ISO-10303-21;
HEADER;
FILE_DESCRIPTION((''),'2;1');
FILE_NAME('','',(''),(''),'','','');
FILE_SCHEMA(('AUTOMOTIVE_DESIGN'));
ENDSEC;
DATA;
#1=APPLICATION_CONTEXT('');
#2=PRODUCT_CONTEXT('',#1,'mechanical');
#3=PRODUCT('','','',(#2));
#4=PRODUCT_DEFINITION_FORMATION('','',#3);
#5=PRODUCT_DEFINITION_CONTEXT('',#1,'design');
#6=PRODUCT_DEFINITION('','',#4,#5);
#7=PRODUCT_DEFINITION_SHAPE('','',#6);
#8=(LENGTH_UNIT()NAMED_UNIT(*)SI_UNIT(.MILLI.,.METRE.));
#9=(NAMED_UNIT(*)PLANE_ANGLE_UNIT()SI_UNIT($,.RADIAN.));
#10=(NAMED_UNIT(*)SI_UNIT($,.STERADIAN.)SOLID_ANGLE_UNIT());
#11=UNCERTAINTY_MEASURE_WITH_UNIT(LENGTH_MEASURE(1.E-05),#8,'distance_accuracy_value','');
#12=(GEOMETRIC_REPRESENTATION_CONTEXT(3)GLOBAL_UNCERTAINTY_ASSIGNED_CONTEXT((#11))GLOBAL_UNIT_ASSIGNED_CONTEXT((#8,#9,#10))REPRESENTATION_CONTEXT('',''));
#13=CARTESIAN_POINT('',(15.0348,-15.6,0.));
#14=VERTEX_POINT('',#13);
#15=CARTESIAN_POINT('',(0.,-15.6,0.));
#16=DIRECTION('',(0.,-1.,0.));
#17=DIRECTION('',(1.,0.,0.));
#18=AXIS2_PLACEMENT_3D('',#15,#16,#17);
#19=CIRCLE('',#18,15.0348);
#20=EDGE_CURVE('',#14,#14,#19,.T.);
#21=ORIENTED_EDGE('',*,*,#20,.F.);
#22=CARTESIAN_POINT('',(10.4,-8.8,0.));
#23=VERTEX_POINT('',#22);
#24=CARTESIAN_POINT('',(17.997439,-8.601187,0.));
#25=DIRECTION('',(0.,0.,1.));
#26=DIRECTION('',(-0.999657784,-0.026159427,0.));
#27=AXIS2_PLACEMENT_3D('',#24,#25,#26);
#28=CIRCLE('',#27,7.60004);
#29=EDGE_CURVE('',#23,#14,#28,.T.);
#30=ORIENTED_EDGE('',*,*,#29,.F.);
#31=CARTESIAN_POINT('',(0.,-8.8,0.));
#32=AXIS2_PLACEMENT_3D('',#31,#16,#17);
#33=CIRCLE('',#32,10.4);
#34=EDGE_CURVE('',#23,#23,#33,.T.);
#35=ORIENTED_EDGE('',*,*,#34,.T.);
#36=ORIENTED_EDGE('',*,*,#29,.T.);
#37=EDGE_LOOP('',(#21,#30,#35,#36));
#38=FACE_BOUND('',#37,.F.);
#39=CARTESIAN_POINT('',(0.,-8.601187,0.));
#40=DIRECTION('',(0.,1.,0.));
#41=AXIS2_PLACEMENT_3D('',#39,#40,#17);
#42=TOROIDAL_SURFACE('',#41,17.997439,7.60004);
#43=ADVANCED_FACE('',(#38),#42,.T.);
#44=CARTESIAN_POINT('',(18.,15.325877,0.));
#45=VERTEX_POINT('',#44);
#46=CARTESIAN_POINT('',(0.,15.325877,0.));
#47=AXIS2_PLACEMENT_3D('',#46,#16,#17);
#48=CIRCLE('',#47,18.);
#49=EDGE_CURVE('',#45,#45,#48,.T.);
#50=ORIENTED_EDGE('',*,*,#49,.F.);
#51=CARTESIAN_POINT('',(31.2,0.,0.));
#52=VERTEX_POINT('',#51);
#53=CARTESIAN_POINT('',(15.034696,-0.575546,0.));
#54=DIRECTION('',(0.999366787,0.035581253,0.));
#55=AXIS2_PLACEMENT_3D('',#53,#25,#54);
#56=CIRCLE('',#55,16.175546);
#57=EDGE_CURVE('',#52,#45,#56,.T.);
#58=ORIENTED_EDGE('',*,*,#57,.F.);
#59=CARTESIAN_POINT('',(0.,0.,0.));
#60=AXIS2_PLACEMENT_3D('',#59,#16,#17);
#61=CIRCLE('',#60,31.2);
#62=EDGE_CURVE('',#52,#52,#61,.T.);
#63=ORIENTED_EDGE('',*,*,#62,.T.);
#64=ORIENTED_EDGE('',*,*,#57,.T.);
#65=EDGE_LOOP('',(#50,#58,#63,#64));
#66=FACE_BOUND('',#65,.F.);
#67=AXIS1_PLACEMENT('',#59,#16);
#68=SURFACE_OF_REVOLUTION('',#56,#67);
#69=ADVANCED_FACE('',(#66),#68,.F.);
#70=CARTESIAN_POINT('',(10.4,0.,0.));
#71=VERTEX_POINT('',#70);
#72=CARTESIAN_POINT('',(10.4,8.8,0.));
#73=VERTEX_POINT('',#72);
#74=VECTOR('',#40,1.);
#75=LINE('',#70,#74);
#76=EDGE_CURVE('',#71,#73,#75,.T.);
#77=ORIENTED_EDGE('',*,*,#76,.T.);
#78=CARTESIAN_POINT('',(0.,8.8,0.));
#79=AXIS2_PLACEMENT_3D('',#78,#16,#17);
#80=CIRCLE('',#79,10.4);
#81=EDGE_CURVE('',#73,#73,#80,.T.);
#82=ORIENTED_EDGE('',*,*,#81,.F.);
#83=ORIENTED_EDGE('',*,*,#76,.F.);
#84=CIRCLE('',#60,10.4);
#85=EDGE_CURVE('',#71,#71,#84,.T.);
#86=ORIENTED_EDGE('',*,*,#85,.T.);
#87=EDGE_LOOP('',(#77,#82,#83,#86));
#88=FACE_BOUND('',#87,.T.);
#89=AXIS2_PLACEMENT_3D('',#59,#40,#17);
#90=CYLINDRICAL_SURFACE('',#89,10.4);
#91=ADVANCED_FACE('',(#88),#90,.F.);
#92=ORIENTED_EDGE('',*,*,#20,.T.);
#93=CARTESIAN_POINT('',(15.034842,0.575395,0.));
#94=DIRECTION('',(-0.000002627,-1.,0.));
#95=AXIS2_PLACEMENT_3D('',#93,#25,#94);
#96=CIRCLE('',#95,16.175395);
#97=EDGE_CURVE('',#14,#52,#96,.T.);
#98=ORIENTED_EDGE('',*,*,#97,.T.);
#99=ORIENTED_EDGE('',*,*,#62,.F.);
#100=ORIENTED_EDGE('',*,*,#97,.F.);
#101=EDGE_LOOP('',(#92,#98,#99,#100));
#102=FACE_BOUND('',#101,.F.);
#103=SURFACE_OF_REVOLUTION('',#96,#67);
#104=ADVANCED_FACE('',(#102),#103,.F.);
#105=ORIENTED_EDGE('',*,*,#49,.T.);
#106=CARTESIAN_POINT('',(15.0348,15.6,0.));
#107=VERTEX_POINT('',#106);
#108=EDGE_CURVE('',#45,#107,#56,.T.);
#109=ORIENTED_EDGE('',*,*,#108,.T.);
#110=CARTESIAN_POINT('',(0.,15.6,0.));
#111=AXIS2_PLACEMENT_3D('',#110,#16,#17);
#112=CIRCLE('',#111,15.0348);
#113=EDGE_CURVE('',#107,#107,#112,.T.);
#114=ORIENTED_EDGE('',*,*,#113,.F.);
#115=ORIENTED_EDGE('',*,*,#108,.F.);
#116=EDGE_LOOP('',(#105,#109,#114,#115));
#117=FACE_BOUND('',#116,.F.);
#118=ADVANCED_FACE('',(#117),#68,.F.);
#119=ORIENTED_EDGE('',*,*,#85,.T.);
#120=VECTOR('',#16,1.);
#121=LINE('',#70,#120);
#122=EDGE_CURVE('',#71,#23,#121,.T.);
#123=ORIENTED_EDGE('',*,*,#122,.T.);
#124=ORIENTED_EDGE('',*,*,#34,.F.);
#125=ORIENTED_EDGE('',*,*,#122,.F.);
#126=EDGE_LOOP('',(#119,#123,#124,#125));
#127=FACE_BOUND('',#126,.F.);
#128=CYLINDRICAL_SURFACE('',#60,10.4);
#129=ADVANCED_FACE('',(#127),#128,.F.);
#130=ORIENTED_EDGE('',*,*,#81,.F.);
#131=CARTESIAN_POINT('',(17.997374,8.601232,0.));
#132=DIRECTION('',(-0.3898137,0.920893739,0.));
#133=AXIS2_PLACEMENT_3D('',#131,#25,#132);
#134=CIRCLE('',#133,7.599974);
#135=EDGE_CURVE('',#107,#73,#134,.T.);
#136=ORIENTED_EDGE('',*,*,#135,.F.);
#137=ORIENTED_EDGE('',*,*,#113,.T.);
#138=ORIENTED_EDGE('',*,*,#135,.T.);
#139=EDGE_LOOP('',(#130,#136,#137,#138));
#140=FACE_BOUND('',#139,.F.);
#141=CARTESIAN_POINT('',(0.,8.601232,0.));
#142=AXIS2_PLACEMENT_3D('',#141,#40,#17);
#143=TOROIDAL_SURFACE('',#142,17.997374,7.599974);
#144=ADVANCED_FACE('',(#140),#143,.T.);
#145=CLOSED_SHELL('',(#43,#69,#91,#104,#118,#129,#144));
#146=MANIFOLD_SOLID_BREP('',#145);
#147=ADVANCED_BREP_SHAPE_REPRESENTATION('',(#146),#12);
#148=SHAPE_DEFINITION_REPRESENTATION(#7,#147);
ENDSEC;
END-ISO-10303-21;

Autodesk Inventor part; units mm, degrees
ref_plane "YZ Plane" through (0, 0, 0) normal (1, 0, 0) x (0, 1, 0)
ref_plane "XZ Plane" through (0, 0, 0) normal (0, 1, 0) x (-1, 0, 0)
ref_plane "XY Plane" through (0, 0, 0) normal (0, 0, 1) x (1, 0, 0)
sketch "Sketch1" plane through (0, 0, 0) normal (0, 0, 1) x (1, 0, 0)
  line L0 (0, 0) -> (10.4, 0)
  line L1 (0, 0) -> (31.2, 0)
  line L2 (0, 0) -> (22.1, 0)
  line L3 (10.4, 0) -> (28.4, 0)
  line L4 (0, 0) -> (18, 0)
  line L5 (10.4, 0) -> (10.4, 8.8)
  arc A0 (15.0348, 15.6) -> (10.4, 8.8) centre (17.9974, 8.6012) ccw
  line L6 (18, 0) -> (18, 15.6)
  line L7 (18, 15.6) -> (15.0348, 15.6)
  arc A1 (31.2, 0) -> (15.0348, 15.6) centre (15.0348, -0.5755) ccw
  line L8 (10.4, 0) -> (10.4, -8.8)
  arc A2 (10.4, -8.8) -> (15.0348, -15.6) centre (17.9974, -8.6012) ccw
  arc A3 (15.0348, -15.6) -> (31.2, 0) centre (15.0348, 0.5755) ccw
  line L9 (0, 0) -> (0, 15.6)
  dimension "d0" = 10.4
  dimension "d1" = 31.2
  dimension "d4" = 18
  dimension "d5" = 8.8
  dimension "d6" = 15.6
revolve "Revolution1" add sketch "Sketch1" angle 360 about axis through (0, 0, 0) along (0, -1, 0) contours L5 A0 A1 L6 L1 | L1 A3 A2 L8 | L6 A1 L1
properties part number "8004_65uH_DCore_2layer_Tx_Filter_MPSv2_v1" material "ABS Plastic"
